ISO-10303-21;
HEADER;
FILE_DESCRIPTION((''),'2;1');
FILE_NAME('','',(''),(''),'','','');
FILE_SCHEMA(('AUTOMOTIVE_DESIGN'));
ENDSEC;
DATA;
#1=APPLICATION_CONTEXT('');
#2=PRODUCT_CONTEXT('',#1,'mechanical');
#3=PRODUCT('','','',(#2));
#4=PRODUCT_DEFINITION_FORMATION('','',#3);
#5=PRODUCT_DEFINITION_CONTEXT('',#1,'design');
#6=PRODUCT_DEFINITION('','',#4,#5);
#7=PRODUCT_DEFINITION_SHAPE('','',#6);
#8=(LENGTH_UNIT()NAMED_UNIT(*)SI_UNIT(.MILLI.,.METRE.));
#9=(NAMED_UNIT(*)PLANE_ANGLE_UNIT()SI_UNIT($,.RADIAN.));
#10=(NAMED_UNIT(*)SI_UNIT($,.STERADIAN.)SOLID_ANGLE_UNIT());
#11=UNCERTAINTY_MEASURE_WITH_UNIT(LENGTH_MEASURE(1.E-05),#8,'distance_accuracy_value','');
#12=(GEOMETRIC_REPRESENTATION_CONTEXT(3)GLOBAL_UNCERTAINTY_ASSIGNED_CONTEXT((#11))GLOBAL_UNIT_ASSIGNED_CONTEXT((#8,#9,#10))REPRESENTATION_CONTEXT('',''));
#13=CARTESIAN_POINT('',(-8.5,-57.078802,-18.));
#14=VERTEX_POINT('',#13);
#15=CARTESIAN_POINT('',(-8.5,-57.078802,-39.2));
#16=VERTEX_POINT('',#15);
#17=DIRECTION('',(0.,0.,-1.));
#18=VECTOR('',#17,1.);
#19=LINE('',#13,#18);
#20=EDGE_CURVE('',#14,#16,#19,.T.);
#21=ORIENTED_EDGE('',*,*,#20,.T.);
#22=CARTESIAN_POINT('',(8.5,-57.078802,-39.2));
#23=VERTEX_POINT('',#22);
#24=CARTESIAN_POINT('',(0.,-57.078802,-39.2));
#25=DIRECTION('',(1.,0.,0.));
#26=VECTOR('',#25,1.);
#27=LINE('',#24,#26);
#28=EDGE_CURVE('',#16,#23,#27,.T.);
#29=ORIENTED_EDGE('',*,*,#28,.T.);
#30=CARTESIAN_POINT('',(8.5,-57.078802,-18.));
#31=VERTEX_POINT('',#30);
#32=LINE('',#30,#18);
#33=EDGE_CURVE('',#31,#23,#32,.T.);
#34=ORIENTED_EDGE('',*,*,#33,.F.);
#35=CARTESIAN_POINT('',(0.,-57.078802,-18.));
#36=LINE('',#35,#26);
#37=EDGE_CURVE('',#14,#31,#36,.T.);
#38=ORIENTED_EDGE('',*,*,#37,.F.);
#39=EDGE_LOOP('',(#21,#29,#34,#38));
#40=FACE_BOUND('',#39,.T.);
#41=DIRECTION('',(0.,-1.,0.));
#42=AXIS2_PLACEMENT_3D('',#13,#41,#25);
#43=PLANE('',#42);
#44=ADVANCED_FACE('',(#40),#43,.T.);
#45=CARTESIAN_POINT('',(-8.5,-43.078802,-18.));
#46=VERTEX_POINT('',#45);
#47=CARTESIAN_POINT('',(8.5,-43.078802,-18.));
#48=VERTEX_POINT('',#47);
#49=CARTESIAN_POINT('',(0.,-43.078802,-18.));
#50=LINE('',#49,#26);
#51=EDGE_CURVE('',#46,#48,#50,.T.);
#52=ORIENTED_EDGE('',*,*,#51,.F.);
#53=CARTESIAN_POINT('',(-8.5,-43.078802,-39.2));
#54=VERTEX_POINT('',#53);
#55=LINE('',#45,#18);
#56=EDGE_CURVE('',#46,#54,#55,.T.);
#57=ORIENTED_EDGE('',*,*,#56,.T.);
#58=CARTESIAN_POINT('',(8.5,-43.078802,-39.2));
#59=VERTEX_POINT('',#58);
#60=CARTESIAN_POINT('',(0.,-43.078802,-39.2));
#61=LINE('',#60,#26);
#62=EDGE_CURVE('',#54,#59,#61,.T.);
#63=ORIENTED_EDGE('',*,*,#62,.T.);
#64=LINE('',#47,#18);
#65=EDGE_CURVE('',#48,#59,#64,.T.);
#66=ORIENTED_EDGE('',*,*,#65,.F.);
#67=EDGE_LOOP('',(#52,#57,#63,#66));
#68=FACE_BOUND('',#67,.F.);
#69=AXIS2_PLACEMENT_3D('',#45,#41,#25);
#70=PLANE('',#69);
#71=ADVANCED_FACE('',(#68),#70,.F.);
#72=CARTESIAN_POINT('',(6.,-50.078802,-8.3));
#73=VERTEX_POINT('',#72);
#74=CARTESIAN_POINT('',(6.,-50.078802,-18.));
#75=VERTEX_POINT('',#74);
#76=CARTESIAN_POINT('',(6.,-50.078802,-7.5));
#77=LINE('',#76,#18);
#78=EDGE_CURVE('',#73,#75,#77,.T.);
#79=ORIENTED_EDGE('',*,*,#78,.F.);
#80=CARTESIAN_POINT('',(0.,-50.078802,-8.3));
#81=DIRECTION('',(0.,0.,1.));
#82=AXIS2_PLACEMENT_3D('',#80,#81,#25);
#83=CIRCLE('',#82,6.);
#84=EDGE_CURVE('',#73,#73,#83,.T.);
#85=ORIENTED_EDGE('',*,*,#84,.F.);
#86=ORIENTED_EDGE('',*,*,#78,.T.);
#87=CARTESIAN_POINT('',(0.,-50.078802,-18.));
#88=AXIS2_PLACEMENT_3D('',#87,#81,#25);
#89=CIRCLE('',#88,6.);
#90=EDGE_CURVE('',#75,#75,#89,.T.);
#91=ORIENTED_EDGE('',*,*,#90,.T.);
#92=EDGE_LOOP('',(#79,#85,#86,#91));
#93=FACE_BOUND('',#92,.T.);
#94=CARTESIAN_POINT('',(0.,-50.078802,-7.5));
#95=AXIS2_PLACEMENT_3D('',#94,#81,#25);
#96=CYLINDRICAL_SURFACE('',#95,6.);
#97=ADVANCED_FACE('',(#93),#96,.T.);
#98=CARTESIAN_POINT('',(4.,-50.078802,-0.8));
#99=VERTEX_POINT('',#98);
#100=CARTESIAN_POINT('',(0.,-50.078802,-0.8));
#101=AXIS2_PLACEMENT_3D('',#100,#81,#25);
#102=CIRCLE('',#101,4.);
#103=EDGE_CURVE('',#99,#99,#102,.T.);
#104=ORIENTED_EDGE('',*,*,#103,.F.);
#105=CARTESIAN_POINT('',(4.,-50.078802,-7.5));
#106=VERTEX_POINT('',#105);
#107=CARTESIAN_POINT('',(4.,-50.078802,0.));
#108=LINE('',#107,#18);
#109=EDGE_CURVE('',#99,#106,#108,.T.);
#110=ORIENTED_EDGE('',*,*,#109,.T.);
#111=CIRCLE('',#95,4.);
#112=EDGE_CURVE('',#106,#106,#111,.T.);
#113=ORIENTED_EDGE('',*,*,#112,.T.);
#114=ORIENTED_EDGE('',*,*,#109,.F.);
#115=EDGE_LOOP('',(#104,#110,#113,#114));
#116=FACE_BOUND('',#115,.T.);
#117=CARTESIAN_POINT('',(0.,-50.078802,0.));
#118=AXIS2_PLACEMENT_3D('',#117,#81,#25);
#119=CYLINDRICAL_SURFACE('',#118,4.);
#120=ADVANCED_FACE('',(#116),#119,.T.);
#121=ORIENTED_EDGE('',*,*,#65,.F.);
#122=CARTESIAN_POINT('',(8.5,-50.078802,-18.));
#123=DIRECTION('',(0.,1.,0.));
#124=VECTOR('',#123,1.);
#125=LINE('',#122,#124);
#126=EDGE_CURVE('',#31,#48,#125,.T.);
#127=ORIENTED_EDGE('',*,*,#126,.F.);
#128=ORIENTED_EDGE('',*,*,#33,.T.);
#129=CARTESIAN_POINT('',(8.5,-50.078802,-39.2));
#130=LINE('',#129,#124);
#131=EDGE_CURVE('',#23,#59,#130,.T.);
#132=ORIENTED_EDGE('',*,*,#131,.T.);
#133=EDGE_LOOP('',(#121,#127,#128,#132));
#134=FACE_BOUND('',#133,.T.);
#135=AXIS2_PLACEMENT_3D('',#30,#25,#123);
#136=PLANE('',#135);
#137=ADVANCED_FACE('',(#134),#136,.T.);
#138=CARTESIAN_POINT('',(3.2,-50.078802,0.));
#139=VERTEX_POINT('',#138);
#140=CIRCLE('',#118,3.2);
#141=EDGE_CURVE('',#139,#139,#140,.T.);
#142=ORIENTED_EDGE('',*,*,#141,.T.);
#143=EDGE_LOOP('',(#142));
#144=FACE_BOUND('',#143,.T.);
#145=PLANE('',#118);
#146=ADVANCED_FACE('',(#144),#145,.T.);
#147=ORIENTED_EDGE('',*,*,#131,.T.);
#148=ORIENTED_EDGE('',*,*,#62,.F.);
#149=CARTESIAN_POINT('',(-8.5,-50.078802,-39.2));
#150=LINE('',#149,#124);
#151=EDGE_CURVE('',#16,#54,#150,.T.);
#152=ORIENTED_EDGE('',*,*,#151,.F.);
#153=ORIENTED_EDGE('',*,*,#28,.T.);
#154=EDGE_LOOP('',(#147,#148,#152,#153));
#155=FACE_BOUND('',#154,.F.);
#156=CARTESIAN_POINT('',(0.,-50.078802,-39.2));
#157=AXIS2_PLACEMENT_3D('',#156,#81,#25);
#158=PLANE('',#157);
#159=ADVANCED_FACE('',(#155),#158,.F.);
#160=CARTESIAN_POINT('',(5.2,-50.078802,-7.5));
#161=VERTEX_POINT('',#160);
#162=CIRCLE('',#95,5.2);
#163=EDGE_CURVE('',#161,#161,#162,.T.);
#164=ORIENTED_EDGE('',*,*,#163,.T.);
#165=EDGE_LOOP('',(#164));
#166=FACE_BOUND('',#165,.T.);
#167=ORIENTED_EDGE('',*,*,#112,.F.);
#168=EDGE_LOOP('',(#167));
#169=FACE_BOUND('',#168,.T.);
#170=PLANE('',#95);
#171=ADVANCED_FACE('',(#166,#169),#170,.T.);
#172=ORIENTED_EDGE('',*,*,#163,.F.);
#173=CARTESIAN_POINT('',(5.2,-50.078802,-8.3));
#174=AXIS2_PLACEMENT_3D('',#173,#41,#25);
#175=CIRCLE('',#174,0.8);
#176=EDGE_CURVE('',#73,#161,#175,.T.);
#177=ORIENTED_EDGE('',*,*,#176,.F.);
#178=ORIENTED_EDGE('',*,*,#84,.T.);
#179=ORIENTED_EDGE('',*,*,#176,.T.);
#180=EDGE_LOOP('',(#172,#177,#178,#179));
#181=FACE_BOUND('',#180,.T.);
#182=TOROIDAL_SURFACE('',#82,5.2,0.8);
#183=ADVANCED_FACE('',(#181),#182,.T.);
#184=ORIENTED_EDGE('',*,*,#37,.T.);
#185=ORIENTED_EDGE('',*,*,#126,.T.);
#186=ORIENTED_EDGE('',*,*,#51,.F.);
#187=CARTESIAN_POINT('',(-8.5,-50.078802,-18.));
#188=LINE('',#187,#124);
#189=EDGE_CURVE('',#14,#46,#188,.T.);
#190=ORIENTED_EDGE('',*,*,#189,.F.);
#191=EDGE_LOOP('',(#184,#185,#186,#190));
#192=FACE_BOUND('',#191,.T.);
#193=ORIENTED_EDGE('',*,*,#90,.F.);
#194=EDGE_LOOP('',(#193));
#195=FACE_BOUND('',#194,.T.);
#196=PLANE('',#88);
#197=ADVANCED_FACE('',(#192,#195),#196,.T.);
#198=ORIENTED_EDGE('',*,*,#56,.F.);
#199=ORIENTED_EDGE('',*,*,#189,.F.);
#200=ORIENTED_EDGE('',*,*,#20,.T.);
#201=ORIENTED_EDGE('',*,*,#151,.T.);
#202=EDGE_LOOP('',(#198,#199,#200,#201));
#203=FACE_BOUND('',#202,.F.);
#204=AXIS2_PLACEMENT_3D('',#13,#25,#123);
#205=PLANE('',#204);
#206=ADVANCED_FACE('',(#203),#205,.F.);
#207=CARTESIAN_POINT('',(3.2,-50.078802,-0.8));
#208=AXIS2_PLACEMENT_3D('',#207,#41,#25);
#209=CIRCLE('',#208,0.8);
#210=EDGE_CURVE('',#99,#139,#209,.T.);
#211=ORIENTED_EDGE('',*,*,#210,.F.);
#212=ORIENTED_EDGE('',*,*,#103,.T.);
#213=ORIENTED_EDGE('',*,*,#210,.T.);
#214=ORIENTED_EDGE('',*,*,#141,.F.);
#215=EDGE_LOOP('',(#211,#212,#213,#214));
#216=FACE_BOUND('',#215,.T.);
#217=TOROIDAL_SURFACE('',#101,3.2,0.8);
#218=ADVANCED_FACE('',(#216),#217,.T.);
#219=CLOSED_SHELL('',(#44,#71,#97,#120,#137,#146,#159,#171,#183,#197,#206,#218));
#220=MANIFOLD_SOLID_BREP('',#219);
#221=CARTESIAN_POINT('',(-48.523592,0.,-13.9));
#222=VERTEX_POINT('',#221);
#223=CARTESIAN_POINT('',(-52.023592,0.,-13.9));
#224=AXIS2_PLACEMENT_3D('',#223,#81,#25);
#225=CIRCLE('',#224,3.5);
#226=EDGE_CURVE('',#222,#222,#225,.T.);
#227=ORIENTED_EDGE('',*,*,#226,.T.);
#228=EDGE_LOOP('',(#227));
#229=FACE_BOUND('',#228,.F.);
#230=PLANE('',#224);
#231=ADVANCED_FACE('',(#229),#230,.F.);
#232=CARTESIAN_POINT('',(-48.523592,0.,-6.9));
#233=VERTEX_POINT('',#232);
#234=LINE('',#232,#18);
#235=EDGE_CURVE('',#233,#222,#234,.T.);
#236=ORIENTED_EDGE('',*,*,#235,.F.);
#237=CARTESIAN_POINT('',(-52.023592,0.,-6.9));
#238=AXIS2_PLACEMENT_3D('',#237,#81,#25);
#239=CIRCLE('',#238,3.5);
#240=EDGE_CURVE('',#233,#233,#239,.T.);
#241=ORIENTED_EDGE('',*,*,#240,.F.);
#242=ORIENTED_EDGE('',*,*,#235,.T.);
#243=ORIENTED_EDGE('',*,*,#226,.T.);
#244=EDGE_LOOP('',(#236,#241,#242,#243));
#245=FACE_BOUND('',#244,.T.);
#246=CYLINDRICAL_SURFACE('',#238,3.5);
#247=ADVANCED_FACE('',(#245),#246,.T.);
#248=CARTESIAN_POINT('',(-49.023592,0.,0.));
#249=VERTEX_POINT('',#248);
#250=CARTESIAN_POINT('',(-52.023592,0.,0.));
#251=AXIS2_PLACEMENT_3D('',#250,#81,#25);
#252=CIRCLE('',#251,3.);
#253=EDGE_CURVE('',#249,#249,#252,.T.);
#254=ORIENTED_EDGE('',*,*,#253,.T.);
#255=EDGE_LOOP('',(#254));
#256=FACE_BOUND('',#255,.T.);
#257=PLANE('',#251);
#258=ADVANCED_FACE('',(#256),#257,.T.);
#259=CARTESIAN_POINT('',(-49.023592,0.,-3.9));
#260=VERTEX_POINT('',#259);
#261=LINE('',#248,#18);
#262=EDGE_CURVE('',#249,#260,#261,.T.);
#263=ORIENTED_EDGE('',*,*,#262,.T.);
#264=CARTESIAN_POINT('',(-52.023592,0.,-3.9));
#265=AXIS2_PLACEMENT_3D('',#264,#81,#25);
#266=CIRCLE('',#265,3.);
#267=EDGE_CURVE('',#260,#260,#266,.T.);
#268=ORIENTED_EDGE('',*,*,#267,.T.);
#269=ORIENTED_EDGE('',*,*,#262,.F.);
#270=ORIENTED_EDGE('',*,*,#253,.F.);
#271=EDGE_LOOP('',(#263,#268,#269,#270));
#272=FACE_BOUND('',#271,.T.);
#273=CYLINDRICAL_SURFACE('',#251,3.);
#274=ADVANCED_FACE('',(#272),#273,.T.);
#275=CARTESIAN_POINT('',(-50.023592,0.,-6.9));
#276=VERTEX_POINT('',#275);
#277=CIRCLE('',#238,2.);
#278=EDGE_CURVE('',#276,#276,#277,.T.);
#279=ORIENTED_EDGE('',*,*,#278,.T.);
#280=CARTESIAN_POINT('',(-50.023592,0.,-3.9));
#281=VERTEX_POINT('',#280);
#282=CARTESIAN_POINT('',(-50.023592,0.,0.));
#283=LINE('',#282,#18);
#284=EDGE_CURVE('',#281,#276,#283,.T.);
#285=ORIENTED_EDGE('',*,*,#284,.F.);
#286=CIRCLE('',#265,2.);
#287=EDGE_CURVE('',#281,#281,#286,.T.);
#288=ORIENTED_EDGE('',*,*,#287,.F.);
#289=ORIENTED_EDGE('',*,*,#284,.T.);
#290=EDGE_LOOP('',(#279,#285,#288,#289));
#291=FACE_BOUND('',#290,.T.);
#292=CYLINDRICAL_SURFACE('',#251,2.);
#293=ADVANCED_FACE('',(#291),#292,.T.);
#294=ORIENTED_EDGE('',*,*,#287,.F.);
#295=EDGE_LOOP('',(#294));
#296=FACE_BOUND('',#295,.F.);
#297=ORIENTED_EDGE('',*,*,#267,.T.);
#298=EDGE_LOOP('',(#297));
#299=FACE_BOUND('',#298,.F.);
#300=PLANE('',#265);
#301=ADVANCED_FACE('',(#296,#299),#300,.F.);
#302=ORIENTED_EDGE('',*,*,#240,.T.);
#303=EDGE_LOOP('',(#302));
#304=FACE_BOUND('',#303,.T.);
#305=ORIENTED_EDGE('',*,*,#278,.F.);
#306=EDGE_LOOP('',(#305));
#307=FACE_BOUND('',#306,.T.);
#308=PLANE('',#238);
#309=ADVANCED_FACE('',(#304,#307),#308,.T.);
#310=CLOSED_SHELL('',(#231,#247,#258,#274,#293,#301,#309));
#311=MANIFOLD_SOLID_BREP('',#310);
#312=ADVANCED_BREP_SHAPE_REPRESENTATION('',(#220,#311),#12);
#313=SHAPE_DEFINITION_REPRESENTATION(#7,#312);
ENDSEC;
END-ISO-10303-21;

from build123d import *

# Parameters (mm, degrees)
F0_R     = 3
F0_R_2   = 2
F1_DEPTH = 3.9
F2_DEPTH = 6.9
F3_START = -6.9
F0_R_3   = 3.5
F3_DEPTH = 7
F4_R     = 4
F5_DEPTH = 7.5
F6_START = -7.5
F4_R_2   = 6
F6_DEPTH = 10.5
F7_START = -18
F4_W     = 17
F4_H     = 14
F7_DEPTH = 21.2
F8_R     = 0.8


with BuildPart() as f1:
    # F0 (on Top) → F1 (new body)
    with BuildSketch(Plane.XY):
        with Locations((-52.0235921488, 0)):
            Circle(F0_R)
        with Locations((-52.0235921488, 0)):
            Circle(F0_R_2, mode=Mode.SUBTRACT)
        with Locations((-52.0235921488, 0)):
            Circle(F0_R_2)
    extrude(amount=-F1_DEPTH)

    # F0 (on Top) → F2 (join)
    with BuildSketch(Plane.XY):
        with Locations((-52.0235921488, 0)):
            Circle(F0_R_2)
    extrude(amount=-F2_DEPTH)

    # F0 (on Top) → F3 (join)
    with BuildSketch(Plane.XY.offset(F3_START)):
        with Locations((-52.0235921488, 0)):
            Circle(F0_R_3)
        with Locations((-52.0235921488, 0)):
            Circle(F0_R, mode=Mode.SUBTRACT)
        with Locations((-52.0235921488, 0)):
            Circle(F0_R)
        with Locations((-52.0235921488, 0)):
            Circle(F0_R_2, mode=Mode.SUBTRACT)
        with Locations((-52.0235921488, 0)):
            Circle(F0_R_2)
    extrude(amount=-F3_DEPTH)


with BuildPart() as f5:
    # F4 (on Top) → F5 (new body)
    with BuildSketch(Plane.XY):
        with Locations((0, -50.0788018107)):
            Circle(F4_R)
    extrude(amount=-F5_DEPTH)

    # F4 (on Top) → F6 (join)
    with BuildSketch(Plane.XY.offset(F6_START)):
        with Locations((0, -50.0788018107)):
            Circle(F4_R_2)
        with Locations((0, -50.0788018107)):
            Circle(F4_R, mode=Mode.SUBTRACT)
        with Locations((0, -50.0788018107)):
            Circle(F4_R)
    extrude(amount=-F6_DEPTH)

    # F4 (on Top) → F7 (join)
    with BuildSketch(Plane.XY.offset(F7_START)):
        with Locations((0, -50.0788018107)):
            Rectangle(F4_W, F4_H)
        with Locations((0, -50.0788018107)):
            Circle(F4_R_2, mode=Mode.SUBTRACT)
        with Locations((0, -50.0788018107)):
            Circle(F4_R_2)
        with Locations((0, -50.0788018107)):
            Circle(F4_R, mode=Mode.SUBTRACT)
        with Locations((0, -50.0788018107)):
            Circle(F4_R)
    extrude(amount=-F7_DEPTH)

    # F8
    f8_edges = [f5.edges().sort_by_distance(p)[0] for p in [
        (-6, -50.078802, -7.5),
        (-4, -50.078802, 0),
    ]]
    fillet(f8_edges, radius=F8_R)


solid = Compound([f1.part, f5.part])
